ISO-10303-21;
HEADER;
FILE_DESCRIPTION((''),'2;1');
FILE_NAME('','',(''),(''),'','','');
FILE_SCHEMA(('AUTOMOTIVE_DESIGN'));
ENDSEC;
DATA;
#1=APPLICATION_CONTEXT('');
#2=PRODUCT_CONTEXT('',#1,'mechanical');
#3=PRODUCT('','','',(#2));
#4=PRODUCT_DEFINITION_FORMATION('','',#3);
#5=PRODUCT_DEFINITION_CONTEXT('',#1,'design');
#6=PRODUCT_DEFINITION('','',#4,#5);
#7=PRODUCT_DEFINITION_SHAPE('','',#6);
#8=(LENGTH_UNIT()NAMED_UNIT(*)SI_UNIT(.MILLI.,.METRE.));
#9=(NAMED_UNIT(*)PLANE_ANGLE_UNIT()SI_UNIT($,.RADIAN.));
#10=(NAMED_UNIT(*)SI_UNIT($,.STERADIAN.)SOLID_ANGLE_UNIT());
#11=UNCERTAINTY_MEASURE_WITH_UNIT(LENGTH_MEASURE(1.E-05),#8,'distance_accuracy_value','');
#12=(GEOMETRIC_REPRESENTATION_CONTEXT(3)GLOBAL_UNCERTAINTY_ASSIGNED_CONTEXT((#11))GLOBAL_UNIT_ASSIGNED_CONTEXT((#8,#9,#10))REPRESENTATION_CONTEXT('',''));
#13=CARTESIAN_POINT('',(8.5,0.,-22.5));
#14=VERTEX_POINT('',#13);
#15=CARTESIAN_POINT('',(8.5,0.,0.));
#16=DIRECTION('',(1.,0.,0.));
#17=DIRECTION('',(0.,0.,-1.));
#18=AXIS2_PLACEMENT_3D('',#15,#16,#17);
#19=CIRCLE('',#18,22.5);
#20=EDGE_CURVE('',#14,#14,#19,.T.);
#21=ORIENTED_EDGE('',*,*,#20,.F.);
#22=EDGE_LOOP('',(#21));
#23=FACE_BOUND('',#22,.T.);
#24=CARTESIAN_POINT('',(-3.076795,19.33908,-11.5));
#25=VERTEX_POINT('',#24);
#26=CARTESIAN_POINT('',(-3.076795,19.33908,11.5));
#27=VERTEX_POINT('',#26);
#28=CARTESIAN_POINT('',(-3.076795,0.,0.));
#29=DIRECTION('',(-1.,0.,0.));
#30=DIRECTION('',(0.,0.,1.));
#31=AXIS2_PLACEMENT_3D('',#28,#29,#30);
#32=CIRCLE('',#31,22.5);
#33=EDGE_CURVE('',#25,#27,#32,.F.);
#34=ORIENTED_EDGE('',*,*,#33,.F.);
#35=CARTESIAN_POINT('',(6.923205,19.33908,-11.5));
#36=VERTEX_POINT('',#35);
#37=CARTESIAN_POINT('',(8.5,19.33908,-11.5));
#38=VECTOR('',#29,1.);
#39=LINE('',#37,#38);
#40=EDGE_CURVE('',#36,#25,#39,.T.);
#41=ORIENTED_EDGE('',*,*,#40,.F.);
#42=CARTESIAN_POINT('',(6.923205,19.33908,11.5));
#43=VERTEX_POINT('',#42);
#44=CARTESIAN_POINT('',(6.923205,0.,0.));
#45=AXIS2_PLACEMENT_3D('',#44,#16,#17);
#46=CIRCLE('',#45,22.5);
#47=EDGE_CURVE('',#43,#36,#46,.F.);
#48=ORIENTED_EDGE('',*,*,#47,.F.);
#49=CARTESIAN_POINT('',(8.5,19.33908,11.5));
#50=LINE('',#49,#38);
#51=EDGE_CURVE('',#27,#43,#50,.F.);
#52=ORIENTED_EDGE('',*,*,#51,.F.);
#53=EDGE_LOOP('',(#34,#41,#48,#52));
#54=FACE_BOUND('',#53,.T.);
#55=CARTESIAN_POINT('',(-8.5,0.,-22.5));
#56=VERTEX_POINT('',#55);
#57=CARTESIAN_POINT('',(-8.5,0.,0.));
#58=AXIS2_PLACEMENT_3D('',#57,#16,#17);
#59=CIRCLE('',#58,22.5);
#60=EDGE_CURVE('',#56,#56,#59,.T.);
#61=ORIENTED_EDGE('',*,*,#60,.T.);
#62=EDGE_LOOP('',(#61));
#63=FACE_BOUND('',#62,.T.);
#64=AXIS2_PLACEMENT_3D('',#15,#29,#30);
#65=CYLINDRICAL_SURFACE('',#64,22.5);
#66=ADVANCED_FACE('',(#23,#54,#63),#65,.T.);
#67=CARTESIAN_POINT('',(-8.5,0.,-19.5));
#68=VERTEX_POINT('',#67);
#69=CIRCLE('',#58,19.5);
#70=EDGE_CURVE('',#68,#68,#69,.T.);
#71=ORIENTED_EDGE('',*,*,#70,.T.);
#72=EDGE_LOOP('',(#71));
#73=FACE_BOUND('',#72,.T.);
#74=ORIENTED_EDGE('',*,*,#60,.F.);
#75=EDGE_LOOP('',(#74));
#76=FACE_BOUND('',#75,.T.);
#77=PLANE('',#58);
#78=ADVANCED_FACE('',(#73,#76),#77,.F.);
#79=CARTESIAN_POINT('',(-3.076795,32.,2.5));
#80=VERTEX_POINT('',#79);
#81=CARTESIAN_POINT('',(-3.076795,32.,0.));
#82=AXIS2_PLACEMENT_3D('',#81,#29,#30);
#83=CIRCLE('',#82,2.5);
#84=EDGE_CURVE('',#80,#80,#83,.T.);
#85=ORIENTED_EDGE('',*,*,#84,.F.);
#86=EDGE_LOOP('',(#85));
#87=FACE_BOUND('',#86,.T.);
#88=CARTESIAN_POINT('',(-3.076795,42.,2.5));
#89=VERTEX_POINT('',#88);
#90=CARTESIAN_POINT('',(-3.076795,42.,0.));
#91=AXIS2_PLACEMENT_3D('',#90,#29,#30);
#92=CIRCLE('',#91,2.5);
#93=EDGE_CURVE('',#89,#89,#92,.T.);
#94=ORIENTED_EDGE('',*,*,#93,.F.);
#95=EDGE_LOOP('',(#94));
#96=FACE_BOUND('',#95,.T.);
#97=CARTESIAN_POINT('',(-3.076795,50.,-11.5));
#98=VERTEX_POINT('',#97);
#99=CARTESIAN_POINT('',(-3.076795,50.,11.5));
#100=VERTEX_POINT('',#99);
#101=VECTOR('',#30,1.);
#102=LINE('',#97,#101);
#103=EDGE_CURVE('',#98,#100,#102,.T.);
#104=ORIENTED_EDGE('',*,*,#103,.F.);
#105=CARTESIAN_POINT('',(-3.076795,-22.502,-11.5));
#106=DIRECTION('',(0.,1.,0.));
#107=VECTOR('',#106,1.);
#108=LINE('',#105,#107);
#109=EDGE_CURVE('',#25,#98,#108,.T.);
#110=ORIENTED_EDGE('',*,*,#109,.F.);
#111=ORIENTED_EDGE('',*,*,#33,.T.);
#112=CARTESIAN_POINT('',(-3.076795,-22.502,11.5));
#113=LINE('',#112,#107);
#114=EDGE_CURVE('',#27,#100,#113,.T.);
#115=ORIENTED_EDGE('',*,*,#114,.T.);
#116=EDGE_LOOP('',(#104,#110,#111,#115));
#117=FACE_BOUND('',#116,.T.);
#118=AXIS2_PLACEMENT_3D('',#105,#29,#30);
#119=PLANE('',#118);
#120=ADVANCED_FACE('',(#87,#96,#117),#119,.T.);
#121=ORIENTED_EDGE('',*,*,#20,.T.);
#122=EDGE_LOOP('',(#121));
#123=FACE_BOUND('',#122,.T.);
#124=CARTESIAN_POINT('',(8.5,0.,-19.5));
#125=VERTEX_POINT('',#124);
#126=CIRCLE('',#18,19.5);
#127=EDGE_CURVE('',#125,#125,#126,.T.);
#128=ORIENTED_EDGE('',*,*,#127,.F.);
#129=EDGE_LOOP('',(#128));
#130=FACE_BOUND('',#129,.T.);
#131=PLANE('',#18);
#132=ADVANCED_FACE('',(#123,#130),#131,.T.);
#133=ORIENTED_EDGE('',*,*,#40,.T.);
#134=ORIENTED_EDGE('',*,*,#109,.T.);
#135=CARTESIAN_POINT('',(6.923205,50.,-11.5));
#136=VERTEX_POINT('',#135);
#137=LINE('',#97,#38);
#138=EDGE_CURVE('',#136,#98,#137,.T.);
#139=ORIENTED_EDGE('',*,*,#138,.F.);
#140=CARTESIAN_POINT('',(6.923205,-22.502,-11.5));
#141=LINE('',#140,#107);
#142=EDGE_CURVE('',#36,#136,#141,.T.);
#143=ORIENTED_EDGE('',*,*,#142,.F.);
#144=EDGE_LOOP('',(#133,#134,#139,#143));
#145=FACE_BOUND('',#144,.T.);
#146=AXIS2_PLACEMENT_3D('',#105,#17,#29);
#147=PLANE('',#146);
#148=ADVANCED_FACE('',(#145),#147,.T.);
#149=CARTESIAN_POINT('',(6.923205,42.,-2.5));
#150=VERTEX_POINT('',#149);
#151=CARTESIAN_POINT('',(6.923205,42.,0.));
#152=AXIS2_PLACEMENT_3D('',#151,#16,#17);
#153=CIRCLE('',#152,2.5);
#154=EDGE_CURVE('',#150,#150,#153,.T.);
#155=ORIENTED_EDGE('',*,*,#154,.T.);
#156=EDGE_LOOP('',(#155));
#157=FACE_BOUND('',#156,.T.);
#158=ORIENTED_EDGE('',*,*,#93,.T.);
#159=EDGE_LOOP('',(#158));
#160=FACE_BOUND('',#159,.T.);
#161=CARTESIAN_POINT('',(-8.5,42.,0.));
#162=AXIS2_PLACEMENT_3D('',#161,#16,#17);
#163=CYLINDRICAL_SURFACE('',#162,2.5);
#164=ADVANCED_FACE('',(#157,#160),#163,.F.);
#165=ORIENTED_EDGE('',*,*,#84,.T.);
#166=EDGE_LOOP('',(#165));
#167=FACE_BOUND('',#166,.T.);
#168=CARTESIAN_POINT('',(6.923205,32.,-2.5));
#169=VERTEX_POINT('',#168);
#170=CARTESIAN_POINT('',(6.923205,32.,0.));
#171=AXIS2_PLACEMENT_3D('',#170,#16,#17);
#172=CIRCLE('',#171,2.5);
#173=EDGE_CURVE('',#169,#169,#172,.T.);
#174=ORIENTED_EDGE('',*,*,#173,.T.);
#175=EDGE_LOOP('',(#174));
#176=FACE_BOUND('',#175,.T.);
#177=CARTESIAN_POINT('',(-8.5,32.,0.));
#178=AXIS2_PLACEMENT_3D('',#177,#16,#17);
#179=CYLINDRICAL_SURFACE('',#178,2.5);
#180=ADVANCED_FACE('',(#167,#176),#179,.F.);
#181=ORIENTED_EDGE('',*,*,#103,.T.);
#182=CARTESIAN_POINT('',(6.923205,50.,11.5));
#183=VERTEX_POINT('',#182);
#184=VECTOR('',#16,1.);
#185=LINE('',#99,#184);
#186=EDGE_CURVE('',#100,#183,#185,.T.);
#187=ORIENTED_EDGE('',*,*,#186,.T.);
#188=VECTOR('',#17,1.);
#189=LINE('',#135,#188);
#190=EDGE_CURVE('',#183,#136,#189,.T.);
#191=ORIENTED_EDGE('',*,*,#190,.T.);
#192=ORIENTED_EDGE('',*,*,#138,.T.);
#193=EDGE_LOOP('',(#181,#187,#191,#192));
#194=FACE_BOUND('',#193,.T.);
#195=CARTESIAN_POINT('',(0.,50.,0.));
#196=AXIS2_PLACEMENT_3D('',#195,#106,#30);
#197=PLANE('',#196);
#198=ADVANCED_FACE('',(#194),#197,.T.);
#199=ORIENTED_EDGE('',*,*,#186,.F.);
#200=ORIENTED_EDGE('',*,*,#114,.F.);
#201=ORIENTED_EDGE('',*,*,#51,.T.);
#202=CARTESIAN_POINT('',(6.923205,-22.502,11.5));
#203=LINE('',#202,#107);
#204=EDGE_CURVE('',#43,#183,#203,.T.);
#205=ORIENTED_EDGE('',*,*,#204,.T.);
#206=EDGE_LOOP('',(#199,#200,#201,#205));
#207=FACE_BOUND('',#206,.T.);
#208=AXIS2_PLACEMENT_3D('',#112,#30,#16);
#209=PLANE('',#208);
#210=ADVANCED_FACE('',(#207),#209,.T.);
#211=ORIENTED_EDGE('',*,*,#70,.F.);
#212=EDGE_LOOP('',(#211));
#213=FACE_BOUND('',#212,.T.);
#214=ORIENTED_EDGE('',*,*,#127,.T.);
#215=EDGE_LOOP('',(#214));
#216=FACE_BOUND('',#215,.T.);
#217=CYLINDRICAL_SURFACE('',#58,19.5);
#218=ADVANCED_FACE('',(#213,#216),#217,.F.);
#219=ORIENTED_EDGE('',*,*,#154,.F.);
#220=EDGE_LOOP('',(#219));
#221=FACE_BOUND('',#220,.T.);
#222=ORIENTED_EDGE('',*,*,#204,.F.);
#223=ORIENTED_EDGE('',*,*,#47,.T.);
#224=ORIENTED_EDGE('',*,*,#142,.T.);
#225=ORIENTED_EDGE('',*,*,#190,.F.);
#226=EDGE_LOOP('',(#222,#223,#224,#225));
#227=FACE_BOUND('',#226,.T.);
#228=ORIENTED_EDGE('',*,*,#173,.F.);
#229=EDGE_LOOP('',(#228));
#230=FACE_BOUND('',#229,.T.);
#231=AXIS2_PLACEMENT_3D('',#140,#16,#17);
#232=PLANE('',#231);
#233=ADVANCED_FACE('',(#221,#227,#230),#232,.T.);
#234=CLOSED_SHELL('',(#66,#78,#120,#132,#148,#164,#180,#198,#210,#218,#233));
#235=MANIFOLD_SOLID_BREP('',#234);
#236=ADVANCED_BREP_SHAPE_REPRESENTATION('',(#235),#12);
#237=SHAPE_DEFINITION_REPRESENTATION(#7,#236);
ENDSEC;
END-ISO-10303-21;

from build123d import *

# Parameters (mm, degrees)
SKETCH2_R                = 22.5
BOSS_EXTRUDE1_DEPTH      = 8.5
BOSS_EXTRUDE2_REACH      = 78.386
BOSS_EXTRUDE2_END_RADIUS = 22.5
SKETCH3_W                = 10
SKETCH3_H                = 23
SKETCH8_R                = 2.5
CUT_EXTRUDE1_DEPTH       = 57.95722287
SKETCH11_R               = 19.5
CUT_EXTRUDE2_DEPTH       = 58.404268134


with BuildPart() as part:
    # Sketch2 → Boss-Extrude1 (new, symmetric)
    with BuildSketch(Plane(origin=(0, 0, 0), x_dir=(0, 0, -1), z_dir=(1, 0, 0))):
        Circle(SKETCH2_R)
    extrude(amount=BOSS_EXTRUDE1_DEPTH, both=True)

    # Boss-Extrude2: up to this cylinder (the profile starts outside it)
    boss_extrude2_end = Plane(origin=(1.923205, 0, 0), z_dir=(-1, 0, 0)) * Cylinder(BOSS_EXTRUDE2_END_RADIUS, 202.772, mode=Mode.PRIVATE)
    # Sketch3 → Boss-Extrude2 (add, up to the surface)
    with BuildSketch(Plane(origin=(0, 50, 0), x_dir=(1, 0, 0), z_dir=(0, 1, 0)), mode=Mode.PRIVATE) as boss_extrude2_sk1:
        with Locations((1.9232045, 0)):
            Rectangle(SKETCH3_W, SKETCH3_H)
    boss_extrude2_tool1 = extrude(boss_extrude2_sk1.sketch, amount=-BOSS_EXTRUDE2_REACH, mode=Mode.PRIVATE) - boss_extrude2_end
    add(boss_extrude2_tool1.solids().sort_by_distance((1.923205, 50, 0))[0])

    # Sketch8 → Cut-Extrude1 (cut, through all)
    with BuildSketch(Plane(origin=(6.9232045, 0, 0), x_dir=(0, 0, -1), z_dir=(1, 0, 0))):
        with Locations((0, 42)):
            Circle(SKETCH8_R)
        with Locations((0, 32)):
            Circle(SKETCH8_R)
    extrude(amount=-CUT_EXTRUDE1_DEPTH, mode=Mode.SUBTRACT)

    # Sketch11 → Cut-Extrude2 (cut, through all)
    with BuildSketch(Plane(origin=(8.5, 0, 0), x_dir=(0, 0, -1), z_dir=(1, 0, 0))):
        Circle(SKETCH11_R)
    extrude(amount=-CUT_EXTRUDE2_DEPTH, mode=Mode.SUBTRACT)


solid = part.part
